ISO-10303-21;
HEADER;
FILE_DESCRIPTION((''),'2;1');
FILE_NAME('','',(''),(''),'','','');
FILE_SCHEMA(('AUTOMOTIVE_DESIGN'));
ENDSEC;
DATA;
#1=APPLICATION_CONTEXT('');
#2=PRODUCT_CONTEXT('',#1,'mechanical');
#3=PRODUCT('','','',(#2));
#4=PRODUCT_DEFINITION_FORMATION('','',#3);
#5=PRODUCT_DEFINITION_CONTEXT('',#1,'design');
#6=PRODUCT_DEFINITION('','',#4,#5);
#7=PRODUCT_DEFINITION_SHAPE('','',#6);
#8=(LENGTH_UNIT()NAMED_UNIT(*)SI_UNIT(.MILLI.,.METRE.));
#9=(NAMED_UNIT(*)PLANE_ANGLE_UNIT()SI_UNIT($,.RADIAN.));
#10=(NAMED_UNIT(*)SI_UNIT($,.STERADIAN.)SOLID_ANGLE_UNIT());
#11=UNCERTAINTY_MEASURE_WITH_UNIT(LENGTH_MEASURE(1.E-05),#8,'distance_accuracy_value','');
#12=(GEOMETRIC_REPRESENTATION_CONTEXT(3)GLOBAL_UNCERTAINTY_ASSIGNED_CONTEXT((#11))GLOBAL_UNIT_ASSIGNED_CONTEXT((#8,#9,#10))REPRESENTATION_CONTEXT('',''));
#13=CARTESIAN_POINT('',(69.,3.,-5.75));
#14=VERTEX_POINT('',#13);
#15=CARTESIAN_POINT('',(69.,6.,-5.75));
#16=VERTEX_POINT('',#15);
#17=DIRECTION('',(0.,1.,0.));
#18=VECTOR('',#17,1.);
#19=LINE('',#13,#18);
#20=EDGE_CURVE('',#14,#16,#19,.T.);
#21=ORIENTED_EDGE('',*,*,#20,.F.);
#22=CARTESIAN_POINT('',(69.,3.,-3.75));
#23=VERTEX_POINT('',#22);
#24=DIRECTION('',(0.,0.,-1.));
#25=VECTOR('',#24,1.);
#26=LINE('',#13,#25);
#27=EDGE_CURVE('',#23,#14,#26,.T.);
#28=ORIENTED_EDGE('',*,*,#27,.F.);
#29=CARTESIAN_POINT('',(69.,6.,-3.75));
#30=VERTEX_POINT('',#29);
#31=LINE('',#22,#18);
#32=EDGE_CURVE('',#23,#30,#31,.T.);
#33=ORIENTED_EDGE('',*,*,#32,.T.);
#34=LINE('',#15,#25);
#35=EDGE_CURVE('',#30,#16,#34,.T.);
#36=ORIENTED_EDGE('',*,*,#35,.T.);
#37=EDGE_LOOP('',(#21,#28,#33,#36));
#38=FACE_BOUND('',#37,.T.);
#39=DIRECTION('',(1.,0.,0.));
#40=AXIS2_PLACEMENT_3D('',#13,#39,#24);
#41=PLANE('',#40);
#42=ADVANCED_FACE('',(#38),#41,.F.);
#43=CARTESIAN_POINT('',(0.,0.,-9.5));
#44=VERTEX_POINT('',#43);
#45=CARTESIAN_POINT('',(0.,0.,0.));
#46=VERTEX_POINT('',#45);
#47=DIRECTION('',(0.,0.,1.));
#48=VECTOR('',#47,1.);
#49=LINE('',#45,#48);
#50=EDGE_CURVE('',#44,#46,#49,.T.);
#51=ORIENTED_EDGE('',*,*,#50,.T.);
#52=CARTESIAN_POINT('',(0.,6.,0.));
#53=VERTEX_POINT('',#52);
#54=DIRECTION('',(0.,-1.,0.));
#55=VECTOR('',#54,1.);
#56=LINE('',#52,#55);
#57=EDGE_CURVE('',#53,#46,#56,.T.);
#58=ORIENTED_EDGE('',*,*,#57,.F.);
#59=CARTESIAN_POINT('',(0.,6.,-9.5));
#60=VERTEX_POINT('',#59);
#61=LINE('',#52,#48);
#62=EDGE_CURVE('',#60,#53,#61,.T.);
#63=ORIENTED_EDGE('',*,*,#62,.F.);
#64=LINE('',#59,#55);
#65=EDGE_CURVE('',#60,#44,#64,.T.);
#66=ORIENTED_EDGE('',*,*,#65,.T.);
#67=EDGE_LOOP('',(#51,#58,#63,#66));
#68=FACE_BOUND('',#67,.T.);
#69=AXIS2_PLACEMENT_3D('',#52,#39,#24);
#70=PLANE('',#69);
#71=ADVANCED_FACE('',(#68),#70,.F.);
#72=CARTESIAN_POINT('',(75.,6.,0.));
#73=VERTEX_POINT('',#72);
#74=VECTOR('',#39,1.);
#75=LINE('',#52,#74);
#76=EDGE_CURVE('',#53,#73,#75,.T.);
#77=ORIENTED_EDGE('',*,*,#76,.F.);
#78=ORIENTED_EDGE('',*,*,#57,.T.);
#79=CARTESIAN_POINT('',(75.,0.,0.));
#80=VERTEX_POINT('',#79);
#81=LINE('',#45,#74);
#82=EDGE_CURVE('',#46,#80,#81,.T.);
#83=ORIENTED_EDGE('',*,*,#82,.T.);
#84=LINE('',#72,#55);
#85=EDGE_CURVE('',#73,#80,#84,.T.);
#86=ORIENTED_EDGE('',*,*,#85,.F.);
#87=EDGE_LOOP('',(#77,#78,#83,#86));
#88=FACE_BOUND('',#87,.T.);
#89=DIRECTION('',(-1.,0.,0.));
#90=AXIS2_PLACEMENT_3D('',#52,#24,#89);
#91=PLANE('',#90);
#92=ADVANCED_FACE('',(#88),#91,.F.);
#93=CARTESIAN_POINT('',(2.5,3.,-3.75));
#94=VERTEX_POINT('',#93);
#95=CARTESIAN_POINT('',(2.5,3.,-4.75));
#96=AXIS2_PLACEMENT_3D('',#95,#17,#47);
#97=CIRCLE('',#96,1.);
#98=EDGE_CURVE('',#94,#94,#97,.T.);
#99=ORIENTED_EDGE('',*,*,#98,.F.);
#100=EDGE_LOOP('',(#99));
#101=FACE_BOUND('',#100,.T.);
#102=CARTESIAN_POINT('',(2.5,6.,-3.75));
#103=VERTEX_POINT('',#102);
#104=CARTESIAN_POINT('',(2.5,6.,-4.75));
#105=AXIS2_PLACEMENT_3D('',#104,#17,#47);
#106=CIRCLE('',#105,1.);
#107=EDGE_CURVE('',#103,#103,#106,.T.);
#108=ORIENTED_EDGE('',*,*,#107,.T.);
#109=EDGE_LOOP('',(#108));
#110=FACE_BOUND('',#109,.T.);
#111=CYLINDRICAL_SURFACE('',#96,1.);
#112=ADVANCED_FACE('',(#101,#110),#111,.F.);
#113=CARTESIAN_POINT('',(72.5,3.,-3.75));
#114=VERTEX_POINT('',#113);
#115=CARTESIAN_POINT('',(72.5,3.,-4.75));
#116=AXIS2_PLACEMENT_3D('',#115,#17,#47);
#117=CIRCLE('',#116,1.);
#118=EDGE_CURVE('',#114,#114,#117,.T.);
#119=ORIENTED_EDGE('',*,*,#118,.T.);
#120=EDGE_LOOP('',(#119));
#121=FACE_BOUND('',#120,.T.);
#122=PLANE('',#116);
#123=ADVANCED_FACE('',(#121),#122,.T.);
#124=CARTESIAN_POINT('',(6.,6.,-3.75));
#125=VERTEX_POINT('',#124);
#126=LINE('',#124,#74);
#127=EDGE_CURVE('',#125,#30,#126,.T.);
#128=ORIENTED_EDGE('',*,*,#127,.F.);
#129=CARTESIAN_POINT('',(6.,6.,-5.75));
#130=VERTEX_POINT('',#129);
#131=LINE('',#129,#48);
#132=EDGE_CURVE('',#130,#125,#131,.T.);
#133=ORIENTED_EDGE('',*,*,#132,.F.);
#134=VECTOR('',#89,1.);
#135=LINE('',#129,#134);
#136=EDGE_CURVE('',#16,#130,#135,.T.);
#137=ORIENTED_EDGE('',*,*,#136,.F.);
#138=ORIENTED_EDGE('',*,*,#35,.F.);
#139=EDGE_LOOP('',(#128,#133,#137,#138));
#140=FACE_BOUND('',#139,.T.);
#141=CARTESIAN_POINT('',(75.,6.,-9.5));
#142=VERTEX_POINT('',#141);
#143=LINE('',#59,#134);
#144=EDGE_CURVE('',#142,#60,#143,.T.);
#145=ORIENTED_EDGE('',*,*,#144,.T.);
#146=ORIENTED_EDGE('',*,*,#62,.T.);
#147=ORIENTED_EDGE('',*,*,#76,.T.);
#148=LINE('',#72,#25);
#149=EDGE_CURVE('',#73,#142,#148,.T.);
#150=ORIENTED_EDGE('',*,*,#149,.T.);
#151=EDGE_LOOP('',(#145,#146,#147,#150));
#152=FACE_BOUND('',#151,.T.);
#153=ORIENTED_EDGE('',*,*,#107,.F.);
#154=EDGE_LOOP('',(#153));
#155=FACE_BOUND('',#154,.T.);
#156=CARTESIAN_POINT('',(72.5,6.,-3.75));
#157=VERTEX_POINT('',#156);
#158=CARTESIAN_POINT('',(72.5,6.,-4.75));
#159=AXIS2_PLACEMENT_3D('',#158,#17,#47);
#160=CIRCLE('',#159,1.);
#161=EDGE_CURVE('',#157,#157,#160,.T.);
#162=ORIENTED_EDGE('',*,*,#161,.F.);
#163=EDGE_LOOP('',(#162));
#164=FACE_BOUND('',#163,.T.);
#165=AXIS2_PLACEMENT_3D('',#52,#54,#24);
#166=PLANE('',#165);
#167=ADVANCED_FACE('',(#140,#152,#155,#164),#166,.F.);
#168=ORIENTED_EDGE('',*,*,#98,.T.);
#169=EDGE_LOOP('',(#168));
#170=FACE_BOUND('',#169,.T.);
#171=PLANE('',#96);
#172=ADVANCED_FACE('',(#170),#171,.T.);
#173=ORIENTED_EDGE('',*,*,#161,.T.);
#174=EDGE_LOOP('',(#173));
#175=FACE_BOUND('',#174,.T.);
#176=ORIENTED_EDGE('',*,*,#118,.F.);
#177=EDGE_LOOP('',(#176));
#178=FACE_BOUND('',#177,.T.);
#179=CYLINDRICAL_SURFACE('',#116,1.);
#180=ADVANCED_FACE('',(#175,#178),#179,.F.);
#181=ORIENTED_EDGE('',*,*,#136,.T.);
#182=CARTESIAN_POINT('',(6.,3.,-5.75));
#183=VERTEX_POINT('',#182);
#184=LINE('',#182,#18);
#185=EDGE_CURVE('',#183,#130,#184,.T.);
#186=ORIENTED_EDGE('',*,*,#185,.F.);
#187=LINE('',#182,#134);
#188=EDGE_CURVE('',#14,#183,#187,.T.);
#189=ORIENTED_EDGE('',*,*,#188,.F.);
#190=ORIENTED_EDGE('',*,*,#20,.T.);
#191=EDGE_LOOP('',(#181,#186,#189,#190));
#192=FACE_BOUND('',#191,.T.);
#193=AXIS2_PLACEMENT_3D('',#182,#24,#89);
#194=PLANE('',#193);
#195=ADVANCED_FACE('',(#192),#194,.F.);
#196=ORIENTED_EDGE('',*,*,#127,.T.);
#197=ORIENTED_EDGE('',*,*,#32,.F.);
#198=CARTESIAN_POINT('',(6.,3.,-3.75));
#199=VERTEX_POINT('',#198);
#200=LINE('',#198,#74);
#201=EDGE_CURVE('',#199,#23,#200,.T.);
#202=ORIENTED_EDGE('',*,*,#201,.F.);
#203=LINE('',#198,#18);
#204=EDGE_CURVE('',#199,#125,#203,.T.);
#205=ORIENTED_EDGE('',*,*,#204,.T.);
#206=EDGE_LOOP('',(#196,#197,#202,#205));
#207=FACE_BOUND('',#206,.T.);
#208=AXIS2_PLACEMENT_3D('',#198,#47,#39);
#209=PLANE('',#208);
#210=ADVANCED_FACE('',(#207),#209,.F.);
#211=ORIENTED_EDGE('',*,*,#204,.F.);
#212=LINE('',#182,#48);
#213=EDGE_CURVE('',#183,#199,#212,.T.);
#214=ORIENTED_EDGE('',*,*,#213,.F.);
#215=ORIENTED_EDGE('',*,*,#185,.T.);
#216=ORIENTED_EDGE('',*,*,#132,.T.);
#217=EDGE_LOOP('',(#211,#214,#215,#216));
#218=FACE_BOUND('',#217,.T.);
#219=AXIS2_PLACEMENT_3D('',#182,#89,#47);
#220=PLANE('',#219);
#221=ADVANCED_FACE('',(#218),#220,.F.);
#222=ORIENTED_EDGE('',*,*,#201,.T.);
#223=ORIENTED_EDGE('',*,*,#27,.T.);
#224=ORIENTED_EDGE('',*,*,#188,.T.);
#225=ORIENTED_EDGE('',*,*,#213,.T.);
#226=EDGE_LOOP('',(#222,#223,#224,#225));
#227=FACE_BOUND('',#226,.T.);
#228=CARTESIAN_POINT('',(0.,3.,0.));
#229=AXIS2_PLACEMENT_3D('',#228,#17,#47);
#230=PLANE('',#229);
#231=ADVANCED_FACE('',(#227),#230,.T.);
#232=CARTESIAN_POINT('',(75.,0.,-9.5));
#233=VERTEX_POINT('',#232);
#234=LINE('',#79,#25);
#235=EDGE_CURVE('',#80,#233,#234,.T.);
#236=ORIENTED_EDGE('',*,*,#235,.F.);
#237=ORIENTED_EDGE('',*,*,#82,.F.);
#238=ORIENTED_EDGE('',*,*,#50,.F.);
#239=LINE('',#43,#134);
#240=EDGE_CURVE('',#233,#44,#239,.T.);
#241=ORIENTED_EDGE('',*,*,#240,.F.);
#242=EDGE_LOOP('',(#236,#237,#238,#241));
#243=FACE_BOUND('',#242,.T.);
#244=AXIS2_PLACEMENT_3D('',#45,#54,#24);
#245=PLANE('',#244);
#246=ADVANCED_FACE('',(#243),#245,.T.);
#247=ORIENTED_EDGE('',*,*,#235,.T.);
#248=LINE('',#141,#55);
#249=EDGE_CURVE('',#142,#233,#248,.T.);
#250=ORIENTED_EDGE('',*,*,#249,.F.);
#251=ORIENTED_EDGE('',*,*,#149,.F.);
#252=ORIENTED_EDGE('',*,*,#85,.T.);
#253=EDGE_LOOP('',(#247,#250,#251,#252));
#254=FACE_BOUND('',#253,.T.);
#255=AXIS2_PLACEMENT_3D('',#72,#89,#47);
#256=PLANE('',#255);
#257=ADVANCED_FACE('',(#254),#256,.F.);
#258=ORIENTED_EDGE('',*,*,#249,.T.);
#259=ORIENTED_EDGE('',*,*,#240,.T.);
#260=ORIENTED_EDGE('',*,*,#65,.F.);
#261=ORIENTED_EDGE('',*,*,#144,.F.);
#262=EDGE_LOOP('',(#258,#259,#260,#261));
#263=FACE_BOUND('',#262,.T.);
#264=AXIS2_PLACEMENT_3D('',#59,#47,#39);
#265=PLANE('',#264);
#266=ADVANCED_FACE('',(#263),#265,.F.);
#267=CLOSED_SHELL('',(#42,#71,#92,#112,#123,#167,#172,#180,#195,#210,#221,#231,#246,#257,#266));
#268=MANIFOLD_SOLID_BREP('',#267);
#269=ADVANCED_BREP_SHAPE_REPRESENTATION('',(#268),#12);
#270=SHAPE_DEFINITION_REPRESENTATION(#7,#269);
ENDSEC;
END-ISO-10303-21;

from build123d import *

# Parameters (mm, degrees)
SKETCH1_W           = 75
SKETCH1_H           = 9.5
BOSS_EXTRUDE1_DEPTH = 6
SKETCH2_R           = 1
SKETCH2_W           = 63
SKETCH2_H           = 2
CUT_EXTRUDE1_DEPTH  = 3


with BuildPart() as part:
    # Sketch1 → Boss-Extrude1 (new body)
    with BuildSketch(Plane(origin=(0, 0, 0), x_dir=(1, 0, 0), z_dir=(0, 1, 0))):
        with Locations((37.5, 4.75)):
            Rectangle(SKETCH1_W, SKETCH1_H)
    extrude(amount=BOSS_EXTRUDE1_DEPTH)

    # Sketch2 → Cut-Extrude1 (cut)
    with BuildSketch(Plane(origin=(0, 6, 0), x_dir=(1, 0, 0), z_dir=(0, 1, 0))):
        with Locations((2.5, 4.75)):
            Circle(SKETCH2_R)
        with Locations((72.5, 4.75)):
            Circle(SKETCH2_R)
        with Locations((37.5, 4.75)):
            Rectangle(SKETCH2_W, SKETCH2_H)
    extrude(amount=-CUT_EXTRUDE1_DEPTH, mode=Mode.SUBTRACT)


solid = part.part
